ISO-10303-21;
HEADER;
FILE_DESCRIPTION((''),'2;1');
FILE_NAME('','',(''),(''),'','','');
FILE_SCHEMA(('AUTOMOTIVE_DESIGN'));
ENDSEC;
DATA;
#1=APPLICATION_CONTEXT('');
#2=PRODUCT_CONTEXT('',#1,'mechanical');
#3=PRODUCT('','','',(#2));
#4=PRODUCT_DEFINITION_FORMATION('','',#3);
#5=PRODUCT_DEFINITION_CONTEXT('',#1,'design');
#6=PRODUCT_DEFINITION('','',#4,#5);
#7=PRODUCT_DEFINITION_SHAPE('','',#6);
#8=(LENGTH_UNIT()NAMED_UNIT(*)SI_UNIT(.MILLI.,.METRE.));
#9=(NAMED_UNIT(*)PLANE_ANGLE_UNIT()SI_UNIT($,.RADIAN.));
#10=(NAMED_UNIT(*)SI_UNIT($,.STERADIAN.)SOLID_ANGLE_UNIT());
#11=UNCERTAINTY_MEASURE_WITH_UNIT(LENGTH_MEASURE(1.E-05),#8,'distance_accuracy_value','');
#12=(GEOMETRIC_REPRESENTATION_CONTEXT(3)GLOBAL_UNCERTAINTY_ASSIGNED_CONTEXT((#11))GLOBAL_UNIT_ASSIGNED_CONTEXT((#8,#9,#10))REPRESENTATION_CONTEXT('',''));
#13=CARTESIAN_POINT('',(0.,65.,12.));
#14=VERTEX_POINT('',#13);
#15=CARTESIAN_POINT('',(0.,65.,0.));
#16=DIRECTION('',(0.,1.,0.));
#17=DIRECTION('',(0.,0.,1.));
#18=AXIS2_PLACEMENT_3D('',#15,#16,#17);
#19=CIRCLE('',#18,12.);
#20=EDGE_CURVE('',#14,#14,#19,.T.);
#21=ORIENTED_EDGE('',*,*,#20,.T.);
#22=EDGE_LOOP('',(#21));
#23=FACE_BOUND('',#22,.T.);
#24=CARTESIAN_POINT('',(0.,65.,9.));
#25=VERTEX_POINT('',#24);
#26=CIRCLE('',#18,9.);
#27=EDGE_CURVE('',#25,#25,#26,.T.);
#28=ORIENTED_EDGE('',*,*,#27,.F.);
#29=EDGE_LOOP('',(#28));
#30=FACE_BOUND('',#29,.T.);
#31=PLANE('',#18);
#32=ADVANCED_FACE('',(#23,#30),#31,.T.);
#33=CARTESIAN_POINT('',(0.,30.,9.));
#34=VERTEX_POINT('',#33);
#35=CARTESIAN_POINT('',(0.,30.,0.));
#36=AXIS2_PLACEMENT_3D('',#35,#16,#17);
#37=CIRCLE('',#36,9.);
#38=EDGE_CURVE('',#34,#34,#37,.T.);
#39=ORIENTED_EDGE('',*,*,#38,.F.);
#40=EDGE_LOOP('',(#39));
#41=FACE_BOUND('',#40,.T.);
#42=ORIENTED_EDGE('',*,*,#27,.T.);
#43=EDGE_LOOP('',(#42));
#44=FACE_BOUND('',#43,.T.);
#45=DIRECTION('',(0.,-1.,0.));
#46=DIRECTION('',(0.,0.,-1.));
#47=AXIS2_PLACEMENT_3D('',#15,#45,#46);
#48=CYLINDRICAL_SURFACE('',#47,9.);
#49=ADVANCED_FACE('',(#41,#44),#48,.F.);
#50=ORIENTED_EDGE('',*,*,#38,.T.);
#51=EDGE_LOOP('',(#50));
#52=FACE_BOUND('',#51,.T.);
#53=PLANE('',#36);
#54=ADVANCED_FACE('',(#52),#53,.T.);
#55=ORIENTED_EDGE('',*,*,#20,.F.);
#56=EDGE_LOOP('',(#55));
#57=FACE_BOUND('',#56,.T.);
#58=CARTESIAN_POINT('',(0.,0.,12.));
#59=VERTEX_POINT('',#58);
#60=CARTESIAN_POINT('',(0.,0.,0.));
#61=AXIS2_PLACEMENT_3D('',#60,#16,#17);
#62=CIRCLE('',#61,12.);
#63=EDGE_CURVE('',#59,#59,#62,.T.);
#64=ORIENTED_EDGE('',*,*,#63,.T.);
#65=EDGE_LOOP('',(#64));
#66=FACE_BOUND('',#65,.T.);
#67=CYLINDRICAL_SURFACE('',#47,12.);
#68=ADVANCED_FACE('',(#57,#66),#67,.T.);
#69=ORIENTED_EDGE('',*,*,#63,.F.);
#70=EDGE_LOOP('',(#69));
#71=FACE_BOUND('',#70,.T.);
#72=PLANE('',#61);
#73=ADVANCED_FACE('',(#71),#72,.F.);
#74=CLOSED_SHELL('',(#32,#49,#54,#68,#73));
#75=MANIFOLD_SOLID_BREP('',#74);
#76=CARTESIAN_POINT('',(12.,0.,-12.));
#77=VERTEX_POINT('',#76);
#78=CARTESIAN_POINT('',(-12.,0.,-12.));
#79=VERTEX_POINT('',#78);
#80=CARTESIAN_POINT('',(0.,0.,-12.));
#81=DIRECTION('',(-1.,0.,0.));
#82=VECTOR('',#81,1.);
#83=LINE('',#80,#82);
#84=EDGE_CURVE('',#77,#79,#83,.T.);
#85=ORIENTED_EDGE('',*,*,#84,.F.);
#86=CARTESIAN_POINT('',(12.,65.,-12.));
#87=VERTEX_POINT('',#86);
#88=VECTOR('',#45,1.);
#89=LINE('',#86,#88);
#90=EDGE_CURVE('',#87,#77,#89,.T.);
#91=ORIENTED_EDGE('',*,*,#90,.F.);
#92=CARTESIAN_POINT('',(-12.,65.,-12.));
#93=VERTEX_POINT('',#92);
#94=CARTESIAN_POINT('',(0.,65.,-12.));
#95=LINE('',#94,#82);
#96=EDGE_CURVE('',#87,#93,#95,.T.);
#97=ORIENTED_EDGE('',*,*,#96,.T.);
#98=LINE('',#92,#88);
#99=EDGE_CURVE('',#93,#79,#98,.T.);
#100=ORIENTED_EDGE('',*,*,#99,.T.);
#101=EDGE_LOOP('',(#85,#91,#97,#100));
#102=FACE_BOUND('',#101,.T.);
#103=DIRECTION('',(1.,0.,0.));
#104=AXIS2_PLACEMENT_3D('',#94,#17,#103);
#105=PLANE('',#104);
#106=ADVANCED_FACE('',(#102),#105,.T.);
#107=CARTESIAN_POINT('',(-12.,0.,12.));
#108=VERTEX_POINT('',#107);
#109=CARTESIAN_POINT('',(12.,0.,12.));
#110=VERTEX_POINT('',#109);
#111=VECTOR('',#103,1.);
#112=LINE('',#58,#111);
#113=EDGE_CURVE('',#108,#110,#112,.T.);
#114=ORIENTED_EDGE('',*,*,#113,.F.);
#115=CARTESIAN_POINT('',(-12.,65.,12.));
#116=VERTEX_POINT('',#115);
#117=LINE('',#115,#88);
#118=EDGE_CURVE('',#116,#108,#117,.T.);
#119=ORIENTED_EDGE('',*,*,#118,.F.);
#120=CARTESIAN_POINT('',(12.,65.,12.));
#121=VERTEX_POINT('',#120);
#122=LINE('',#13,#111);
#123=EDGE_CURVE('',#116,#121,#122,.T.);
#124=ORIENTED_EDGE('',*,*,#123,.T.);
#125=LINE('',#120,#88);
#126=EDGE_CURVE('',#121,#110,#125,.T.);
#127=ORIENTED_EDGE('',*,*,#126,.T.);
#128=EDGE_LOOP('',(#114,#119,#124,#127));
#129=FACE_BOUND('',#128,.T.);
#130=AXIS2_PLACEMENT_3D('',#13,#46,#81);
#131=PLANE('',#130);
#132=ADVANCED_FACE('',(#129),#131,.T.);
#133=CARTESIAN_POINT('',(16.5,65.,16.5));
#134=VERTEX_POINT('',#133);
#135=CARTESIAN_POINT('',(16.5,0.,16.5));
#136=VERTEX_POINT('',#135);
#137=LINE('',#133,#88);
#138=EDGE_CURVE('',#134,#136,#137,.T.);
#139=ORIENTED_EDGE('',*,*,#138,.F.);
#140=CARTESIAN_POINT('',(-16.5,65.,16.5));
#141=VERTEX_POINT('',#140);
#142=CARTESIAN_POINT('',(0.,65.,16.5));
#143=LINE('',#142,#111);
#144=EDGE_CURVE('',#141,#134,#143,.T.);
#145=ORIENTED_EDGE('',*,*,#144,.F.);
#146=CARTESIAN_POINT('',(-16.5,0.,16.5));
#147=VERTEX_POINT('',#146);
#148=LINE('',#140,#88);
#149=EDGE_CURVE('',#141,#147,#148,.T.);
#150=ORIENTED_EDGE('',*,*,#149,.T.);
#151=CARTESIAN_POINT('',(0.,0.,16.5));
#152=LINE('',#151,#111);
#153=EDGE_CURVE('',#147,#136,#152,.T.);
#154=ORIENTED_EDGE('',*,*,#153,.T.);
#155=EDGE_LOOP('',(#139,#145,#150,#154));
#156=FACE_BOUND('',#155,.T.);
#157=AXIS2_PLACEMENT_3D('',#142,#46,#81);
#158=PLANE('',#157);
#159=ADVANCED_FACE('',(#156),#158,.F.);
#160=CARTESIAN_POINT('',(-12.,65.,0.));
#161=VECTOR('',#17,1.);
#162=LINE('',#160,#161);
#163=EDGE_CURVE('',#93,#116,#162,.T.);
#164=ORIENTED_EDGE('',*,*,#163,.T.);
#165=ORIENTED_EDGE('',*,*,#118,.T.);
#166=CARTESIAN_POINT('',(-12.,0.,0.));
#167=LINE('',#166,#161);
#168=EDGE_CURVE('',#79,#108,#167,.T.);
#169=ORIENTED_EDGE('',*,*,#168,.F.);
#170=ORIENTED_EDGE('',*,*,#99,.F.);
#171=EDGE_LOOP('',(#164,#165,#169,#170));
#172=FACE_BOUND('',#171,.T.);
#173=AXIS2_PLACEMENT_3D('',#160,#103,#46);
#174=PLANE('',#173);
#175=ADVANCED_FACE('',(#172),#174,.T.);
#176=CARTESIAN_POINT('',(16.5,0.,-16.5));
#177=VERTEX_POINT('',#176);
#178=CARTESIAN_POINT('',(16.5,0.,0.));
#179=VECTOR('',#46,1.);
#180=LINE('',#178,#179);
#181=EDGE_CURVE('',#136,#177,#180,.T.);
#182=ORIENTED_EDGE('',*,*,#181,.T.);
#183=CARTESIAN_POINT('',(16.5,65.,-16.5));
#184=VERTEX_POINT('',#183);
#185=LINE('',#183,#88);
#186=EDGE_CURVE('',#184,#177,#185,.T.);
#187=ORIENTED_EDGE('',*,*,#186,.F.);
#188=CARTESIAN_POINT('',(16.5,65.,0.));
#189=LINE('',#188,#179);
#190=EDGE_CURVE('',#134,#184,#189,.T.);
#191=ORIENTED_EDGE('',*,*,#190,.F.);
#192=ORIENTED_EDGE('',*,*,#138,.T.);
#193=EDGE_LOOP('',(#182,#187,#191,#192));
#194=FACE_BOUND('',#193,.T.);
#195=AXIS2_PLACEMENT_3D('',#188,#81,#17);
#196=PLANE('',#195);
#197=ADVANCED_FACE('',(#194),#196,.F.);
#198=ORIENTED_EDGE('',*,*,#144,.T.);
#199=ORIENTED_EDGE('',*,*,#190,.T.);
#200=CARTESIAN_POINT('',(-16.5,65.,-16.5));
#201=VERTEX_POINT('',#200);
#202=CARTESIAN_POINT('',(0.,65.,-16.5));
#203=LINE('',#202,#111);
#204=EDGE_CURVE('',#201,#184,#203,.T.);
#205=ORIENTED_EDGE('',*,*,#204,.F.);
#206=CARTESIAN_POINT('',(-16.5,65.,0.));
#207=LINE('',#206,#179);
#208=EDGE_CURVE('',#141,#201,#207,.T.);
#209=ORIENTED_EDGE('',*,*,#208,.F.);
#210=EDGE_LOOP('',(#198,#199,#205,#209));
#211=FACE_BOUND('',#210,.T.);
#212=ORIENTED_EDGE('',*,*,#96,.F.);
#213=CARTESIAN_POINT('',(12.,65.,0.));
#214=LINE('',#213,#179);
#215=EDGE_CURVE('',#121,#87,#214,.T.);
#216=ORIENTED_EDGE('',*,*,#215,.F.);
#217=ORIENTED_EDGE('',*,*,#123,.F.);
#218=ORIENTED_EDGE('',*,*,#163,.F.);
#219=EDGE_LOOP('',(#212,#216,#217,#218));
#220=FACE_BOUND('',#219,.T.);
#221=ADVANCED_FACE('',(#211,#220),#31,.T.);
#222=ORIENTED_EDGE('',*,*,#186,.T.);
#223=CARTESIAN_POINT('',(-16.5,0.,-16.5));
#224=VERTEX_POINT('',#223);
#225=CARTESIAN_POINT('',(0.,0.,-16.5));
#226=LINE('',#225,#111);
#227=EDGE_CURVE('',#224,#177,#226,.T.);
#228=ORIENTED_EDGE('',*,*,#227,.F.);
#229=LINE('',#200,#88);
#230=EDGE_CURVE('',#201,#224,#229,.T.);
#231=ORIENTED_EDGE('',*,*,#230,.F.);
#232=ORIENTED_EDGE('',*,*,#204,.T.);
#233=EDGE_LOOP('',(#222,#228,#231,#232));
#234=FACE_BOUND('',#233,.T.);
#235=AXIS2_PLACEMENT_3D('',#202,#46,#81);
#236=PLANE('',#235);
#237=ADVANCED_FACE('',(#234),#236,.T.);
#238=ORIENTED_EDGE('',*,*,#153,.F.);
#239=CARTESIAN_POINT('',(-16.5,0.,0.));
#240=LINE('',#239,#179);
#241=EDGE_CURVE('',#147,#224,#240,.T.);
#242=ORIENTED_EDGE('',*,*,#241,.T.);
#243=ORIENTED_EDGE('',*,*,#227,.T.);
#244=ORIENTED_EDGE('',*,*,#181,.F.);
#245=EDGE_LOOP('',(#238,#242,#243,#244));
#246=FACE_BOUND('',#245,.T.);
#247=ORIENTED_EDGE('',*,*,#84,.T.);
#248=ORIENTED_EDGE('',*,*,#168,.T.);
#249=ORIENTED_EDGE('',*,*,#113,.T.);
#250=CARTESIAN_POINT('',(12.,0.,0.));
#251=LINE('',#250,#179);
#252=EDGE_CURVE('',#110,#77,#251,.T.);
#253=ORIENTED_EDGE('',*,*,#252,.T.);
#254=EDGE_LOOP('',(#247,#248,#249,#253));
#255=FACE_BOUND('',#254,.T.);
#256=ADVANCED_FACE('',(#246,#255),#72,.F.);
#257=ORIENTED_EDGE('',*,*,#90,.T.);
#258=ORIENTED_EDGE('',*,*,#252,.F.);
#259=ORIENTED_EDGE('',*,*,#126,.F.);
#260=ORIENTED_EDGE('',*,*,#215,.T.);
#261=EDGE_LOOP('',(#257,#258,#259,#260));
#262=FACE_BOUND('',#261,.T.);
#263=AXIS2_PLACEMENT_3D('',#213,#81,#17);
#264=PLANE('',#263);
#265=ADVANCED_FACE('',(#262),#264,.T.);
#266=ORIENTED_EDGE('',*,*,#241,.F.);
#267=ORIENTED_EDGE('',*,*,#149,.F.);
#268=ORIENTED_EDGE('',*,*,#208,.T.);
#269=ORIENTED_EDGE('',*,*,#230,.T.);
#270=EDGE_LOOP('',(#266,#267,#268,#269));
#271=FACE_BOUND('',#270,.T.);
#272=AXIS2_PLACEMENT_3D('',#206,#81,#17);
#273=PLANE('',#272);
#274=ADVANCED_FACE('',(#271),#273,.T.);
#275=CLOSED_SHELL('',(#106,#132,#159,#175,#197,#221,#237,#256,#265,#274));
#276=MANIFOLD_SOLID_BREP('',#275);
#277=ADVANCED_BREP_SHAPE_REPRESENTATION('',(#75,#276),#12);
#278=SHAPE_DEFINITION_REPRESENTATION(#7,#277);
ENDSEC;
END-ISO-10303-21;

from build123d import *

# Parameters (mm, degrees)
SKETCH_1_R        = 9
EXTRUDE_1_DEPTH   = 65
SKETCH_1_W        = 33
SKETCH_1_H        = 33
EXTRUDE_1_2_DEPTH = 65
SKETCH_1_3_R      = 9
EXTRUDE_2_DEPTH   = 30


with BuildPart() as part:
    # 草图1 → 凸台-拉伸1 (new body)
    with BuildSketch(Plane(origin=(0, 0, 0), x_dir=(1, 0, 0), z_dir=(0, 1, 0))):
        with BuildLine():
            ThreePointArc((12, 0), (8.485281374, 8.485281374), (0, 12))
            ThreePointArc((0, 12), (-8.485281374, 8.485281374), (-12, 0))
            ThreePointArc((-12, 0), (-8.485281374, -8.485281374), (0, -12))
            ThreePointArc((0, -12), (8.485281374, -8.485281374), (12, 0))
        make_face()
        Circle(SKETCH_1_R, mode=Mode.SUBTRACT)
    extrude(amount=EXTRUDE_1_DEPTH)

    # 草图1<3> → 凸台-拉伸2 (add)
    with BuildSketch(Plane(origin=(0, 0, 0), x_dir=(1, 0, 0), z_dir=(0, 1, 0))):
        Circle(SKETCH_1_3_R)
    extrude(amount=EXTRUDE_2_DEPTH)


with BuildPart() as body_2:
    # 草图1 → Extrude 1 2 (new body)
    with BuildSketch(Plane(origin=(0, 0, 0), x_dir=(1, 0, 0), z_dir=(0, 1, 0))):
        Rectangle(SKETCH_1_W, SKETCH_1_H)
        Polygon((-12, 12), (0, 12), (12, 12), (12, 0), (12, -12), (0, -12), (-12, -12), (-12, 0), align=None, mode=Mode.SUBTRACT)
    extrude(amount=EXTRUDE_1_2_DEPTH)


solid = Compound([part.part, body_2.part])
